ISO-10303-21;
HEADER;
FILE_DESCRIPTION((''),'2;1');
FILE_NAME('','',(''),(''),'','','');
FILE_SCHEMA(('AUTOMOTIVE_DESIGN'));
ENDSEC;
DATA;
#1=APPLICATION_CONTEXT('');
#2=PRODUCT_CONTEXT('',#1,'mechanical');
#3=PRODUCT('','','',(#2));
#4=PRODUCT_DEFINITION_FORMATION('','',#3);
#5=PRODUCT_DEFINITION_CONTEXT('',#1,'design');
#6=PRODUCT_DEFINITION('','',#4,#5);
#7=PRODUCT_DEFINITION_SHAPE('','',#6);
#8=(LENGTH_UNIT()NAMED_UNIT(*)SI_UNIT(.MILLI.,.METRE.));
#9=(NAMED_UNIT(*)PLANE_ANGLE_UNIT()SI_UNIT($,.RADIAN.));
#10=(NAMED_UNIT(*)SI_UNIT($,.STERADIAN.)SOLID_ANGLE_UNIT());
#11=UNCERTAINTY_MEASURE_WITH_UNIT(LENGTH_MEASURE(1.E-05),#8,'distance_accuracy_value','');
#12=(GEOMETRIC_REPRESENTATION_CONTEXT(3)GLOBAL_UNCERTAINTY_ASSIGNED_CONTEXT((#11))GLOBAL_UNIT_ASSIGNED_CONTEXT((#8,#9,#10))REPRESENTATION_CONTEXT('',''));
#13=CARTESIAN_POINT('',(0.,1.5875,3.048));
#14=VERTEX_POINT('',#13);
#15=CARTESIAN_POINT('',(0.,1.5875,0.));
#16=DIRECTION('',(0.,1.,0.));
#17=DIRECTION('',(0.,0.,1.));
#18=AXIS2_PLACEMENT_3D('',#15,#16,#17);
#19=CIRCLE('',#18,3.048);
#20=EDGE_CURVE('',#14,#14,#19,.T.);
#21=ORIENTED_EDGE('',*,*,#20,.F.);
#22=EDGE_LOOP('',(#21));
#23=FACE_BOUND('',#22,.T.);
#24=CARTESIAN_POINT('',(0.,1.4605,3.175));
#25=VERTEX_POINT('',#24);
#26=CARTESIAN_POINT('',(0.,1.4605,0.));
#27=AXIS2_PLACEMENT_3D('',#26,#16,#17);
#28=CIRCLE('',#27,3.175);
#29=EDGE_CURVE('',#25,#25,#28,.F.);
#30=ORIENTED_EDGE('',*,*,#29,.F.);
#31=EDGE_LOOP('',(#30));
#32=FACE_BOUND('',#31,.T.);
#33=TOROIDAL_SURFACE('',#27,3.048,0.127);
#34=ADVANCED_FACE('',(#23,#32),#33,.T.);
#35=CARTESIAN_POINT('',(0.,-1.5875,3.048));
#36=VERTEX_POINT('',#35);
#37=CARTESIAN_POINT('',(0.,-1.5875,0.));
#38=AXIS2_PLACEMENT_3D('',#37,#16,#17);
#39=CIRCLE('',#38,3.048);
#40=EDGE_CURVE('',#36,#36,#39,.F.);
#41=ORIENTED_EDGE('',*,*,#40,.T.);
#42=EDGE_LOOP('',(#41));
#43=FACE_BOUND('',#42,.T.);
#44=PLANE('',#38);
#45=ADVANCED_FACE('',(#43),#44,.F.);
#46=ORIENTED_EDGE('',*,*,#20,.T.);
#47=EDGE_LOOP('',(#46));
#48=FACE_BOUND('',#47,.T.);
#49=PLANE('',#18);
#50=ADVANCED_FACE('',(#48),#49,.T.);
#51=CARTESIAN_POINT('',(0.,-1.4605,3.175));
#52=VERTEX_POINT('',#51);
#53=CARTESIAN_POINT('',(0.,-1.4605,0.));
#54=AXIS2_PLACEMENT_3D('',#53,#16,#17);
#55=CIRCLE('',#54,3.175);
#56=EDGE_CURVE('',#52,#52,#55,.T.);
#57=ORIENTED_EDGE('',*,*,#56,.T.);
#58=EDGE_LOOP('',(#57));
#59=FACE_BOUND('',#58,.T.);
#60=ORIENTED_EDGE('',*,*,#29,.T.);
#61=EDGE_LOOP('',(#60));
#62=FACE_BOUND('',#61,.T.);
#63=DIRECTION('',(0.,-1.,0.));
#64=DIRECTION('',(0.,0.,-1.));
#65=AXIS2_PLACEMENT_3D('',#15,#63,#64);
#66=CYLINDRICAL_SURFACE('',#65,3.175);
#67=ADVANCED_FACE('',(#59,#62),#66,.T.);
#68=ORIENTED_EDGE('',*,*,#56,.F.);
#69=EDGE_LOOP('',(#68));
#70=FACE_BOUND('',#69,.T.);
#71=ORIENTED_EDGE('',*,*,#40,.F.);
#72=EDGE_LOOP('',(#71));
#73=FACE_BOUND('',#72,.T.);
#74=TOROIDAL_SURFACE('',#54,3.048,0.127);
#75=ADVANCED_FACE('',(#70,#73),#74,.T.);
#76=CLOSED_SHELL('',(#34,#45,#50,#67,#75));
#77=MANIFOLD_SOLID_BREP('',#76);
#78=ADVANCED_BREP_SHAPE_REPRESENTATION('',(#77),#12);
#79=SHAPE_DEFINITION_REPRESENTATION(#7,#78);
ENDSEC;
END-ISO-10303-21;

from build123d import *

# Parameters (mm, degrees)
SKETCH1_R           = 3.175
BOSS_EXTRUDE1_DEPTH = 1.5875
FILLET1_R           = 0.127


with BuildPart() as part:
    # Sketch1 → Boss-Extrude1 (new, symmetric)
    with BuildSketch(Plane(origin=(0, 0, 0), x_dir=(1, 0, 0), z_dir=(0, 1, 0))):
        with Locations(Location((0, 0, 0), (0, 0, 270))):
            Circle(SKETCH1_R)
    extrude(amount=BOSS_EXTRUDE1_DEPTH, both=True)

    # Fillet1
    fillet1_edges = [part.edges().sort_by_distance(p)[0] for p in [
        (0, -1.5875, -3.175),
        (0, 1.5875, -3.175),
    ]]
    fillet(fillet1_edges, radius=FILLET1_R)


solid = part.part
